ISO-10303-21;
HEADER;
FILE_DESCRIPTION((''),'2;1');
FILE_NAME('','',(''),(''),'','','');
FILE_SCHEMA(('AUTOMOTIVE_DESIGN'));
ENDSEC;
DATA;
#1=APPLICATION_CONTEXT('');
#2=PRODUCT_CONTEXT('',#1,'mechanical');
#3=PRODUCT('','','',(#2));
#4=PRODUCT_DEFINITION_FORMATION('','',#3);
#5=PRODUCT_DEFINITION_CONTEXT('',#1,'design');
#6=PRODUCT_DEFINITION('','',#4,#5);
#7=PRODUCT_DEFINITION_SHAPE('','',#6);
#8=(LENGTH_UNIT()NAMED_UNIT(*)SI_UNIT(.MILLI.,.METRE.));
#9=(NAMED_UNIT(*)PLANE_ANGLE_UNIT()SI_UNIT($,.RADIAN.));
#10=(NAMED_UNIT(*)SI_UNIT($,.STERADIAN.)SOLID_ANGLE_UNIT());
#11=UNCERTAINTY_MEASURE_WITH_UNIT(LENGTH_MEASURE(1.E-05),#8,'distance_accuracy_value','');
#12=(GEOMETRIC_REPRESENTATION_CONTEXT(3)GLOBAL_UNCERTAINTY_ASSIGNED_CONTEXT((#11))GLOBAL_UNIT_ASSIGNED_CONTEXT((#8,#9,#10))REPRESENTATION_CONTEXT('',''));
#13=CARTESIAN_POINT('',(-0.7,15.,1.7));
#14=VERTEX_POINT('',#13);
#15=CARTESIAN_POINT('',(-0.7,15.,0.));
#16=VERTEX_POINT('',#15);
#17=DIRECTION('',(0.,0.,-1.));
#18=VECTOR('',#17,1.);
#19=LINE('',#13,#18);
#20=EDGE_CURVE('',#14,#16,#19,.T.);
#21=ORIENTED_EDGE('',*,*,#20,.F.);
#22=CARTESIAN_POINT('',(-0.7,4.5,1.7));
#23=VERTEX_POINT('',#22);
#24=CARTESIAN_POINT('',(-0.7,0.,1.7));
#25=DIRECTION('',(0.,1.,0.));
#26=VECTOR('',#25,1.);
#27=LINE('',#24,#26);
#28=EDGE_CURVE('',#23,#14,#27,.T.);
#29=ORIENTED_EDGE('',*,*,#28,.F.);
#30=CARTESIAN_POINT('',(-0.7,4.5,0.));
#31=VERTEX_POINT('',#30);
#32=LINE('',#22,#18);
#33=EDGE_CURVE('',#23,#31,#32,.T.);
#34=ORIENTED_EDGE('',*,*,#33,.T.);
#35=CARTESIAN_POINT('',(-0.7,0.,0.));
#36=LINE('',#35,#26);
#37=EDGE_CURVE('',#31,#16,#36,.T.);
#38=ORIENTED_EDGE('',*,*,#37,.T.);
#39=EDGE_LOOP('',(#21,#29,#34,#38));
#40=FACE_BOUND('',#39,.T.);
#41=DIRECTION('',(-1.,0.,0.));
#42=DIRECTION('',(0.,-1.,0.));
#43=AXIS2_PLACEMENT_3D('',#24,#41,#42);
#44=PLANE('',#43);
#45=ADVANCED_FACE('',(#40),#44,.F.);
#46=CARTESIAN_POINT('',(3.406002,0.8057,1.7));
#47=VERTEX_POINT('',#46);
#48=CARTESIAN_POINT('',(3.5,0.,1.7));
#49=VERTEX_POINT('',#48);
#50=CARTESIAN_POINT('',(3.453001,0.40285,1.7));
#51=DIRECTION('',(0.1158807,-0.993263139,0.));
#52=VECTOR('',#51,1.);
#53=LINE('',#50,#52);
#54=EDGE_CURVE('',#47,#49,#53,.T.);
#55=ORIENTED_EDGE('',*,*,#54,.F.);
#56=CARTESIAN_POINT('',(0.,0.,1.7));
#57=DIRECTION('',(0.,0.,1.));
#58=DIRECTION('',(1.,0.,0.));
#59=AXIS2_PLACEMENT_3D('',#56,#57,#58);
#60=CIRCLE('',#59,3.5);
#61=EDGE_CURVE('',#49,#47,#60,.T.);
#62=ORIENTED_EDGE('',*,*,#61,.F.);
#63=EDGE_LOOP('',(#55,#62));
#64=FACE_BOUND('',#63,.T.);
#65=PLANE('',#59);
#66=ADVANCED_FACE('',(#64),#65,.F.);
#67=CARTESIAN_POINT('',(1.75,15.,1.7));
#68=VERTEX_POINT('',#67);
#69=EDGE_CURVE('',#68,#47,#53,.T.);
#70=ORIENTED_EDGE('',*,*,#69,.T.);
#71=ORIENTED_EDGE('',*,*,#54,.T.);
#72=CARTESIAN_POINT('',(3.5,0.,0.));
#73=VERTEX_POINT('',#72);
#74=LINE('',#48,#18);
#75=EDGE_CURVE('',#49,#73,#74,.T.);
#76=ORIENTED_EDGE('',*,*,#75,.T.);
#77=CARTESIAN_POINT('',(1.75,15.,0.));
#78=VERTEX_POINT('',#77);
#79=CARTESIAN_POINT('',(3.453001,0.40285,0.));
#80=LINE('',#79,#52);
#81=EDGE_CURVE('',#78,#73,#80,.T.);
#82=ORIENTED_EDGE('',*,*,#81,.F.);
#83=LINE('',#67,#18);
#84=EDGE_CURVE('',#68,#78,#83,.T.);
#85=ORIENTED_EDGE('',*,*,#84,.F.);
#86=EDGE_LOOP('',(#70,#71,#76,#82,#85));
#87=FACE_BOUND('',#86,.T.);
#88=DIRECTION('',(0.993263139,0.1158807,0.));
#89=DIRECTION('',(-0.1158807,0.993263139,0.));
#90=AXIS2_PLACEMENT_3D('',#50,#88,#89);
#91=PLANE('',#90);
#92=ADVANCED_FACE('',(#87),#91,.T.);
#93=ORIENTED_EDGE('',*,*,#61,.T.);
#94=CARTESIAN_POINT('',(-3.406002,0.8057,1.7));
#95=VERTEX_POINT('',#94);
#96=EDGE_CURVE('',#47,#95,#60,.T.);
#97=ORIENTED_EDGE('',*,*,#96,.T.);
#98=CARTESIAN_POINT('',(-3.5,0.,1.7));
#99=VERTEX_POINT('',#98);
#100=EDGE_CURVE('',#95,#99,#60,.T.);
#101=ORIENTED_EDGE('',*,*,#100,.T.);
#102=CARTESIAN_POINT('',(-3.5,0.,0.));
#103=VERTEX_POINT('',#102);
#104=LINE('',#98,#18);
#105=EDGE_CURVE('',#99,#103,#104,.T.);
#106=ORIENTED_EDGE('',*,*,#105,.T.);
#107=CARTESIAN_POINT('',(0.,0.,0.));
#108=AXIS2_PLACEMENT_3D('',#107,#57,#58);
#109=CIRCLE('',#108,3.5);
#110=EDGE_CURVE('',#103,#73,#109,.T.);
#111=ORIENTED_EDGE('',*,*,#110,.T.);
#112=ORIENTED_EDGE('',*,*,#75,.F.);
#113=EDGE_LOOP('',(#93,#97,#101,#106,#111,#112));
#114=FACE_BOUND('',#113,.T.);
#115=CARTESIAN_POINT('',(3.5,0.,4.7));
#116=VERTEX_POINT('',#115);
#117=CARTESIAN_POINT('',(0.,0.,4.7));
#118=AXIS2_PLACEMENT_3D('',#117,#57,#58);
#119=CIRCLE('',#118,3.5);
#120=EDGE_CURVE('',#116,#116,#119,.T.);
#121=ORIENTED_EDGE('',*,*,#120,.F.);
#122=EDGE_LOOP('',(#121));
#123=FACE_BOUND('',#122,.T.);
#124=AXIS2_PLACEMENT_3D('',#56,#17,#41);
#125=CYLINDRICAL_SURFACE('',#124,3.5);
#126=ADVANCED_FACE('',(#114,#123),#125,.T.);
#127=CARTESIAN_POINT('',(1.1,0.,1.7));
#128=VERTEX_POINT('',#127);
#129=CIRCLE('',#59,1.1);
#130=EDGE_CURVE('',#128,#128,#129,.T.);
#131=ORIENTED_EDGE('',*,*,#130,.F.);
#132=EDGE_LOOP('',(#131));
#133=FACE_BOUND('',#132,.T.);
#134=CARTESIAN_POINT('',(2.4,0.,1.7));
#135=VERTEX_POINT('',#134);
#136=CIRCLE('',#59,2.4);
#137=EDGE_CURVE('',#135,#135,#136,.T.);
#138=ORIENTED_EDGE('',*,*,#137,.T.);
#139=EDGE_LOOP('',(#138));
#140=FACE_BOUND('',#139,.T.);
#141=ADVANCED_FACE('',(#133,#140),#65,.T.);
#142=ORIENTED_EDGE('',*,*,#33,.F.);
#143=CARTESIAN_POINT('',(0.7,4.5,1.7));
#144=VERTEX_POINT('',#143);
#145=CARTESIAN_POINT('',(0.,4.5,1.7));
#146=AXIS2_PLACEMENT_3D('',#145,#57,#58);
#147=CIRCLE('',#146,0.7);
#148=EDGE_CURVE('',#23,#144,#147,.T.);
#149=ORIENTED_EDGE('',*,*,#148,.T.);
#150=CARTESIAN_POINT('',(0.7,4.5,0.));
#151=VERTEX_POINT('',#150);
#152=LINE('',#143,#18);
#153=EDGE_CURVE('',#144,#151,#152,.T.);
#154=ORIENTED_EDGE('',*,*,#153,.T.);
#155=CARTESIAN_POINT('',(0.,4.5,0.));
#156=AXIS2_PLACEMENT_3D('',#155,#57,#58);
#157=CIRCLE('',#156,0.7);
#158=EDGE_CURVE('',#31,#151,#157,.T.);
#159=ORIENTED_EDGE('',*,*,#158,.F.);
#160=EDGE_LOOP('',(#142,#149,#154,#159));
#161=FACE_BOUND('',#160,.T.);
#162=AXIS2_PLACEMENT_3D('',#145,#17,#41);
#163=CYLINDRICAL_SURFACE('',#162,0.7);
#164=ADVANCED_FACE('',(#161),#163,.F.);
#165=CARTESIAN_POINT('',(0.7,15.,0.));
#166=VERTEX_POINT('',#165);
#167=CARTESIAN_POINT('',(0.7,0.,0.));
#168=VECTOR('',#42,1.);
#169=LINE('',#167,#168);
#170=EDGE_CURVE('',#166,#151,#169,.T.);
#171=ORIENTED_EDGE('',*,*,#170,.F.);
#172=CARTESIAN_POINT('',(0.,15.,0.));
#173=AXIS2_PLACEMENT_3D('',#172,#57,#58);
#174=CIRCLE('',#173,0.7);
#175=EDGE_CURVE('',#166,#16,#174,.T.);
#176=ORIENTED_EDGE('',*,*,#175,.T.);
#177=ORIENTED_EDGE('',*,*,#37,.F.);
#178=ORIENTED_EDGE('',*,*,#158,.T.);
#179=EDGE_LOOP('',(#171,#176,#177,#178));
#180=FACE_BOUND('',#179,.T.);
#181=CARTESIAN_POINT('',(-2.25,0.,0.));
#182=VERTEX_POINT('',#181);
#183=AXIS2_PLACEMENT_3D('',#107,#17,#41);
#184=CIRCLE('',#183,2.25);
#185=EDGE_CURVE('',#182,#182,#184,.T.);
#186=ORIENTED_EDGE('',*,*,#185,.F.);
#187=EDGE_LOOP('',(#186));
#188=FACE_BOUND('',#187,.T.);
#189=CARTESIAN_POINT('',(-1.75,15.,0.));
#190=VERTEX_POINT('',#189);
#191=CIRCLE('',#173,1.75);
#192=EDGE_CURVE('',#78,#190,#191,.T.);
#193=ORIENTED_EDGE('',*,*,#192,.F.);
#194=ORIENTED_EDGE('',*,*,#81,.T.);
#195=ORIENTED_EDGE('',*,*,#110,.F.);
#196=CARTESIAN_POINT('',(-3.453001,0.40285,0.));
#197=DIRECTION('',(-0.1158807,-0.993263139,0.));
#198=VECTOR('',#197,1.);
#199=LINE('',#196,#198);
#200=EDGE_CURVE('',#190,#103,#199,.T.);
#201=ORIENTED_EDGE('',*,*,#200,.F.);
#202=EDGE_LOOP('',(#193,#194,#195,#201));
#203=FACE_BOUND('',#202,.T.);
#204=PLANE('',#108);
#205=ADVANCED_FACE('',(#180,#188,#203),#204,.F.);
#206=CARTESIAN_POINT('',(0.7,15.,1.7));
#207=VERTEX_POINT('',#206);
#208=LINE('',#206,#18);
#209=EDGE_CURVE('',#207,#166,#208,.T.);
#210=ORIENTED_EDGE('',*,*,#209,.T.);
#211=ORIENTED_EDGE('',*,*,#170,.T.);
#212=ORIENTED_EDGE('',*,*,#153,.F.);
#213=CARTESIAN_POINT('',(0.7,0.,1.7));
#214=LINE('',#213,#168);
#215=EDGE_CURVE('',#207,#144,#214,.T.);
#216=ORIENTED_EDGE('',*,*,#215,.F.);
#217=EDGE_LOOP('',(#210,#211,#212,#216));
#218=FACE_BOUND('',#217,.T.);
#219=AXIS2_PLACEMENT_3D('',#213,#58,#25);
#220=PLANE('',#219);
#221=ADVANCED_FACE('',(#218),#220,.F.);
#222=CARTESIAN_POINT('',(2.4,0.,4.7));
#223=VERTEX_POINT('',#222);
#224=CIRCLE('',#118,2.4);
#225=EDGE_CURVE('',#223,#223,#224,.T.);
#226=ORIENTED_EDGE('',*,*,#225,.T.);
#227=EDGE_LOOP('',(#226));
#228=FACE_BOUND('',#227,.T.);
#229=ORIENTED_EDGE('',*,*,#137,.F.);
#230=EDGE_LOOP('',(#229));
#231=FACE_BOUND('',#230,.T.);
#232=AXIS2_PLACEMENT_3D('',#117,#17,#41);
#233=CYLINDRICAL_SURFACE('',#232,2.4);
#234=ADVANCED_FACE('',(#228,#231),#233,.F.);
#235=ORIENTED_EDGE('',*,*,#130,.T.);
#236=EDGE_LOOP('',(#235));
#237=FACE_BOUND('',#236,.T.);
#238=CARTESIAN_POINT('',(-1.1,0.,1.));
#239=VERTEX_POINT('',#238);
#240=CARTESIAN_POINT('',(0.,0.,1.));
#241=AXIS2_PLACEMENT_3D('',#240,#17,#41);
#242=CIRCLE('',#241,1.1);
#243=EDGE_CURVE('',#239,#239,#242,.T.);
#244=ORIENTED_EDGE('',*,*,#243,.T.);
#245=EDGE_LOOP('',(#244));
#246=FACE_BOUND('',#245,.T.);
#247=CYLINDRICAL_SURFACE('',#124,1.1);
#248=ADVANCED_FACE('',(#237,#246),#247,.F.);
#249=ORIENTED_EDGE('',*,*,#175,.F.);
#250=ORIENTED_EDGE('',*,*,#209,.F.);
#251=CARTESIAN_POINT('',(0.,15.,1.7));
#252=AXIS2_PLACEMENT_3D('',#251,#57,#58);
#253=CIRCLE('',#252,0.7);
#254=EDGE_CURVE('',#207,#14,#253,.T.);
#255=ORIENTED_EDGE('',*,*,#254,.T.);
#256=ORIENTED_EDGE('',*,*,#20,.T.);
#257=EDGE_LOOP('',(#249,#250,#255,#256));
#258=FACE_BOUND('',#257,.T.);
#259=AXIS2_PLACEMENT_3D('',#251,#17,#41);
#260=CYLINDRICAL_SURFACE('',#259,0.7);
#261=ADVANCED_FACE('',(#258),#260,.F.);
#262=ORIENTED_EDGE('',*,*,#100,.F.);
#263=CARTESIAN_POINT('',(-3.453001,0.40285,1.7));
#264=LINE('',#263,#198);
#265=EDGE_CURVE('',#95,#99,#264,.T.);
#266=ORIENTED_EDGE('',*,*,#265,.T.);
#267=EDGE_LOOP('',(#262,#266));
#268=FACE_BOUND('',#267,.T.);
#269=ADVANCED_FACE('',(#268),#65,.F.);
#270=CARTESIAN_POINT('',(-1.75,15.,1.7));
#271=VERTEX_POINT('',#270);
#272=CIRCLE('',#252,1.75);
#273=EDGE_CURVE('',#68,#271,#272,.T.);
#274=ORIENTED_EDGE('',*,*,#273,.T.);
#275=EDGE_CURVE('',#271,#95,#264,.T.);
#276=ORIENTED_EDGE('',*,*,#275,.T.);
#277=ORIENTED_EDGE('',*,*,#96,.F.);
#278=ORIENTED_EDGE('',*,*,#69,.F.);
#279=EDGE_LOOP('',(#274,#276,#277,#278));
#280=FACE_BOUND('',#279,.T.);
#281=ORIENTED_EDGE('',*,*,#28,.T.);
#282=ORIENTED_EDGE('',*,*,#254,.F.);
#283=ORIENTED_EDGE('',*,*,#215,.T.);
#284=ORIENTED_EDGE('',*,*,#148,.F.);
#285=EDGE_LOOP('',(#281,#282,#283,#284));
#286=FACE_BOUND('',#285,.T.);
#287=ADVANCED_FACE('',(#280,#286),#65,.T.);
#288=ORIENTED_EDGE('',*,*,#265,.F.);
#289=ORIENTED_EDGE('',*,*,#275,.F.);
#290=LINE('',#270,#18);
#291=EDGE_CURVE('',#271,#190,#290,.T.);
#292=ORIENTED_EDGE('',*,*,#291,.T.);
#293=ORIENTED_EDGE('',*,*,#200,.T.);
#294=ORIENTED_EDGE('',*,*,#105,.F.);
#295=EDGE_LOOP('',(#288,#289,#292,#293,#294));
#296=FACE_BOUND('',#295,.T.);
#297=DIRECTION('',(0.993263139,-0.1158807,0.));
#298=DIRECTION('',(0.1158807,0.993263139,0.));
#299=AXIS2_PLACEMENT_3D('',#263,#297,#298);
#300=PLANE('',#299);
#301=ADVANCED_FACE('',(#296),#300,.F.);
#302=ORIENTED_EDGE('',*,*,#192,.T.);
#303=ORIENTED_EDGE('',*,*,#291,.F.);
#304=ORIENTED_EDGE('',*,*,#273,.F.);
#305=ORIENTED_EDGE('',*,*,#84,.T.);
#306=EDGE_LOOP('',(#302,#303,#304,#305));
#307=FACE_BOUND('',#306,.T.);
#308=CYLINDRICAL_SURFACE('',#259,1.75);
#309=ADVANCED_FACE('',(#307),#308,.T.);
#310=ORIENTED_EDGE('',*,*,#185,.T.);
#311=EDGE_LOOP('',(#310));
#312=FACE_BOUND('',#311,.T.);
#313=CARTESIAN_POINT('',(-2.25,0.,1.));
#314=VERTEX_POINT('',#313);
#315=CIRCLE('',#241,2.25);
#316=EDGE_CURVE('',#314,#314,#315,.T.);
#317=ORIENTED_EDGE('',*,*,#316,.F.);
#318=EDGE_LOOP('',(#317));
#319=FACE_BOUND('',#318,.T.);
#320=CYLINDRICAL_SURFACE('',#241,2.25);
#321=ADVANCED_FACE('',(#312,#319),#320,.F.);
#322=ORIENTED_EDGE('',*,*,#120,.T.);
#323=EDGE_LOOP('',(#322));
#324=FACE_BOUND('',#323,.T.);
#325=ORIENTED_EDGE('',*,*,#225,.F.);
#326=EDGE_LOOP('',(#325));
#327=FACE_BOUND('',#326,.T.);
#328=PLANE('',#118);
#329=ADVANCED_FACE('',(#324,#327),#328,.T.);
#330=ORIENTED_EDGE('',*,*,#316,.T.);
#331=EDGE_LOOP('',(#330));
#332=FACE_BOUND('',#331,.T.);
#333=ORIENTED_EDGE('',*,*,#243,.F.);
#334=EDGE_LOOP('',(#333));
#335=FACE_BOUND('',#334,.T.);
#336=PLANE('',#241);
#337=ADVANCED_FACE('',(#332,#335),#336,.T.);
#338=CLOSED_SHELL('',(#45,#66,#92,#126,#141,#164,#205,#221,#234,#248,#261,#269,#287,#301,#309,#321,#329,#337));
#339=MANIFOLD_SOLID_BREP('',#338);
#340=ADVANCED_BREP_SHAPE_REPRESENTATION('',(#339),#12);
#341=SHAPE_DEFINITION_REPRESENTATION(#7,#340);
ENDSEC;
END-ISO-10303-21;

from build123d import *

# Parameters (mm, degrees)
CROQUIS1_R              = 1.1
SALIENTE_EXTRUIR1_DEPTH = 1.7
CROQUIS2_R              = 3.5
CROQUIS2_R_2            = 2.4
SALIENTE_EXTRUIR2_DEPTH = 3
CROQUIS3_R              = 2.25
CORTAR_EXTRUIR1_DEPTH   = 1


with BuildPart() as part:
    # Croquis1 → Saliente-Extruir1 (new body)
    with BuildSketch(Plane.XY):
        with BuildLine():
            ThreePointArc((1.75, 15), (0, 16.75), (-1.75, 15))
            Line((-1.75, 15), (-3.406001644, 0.805700192))
            Line((-3.406001644, 0.805700192), (-3.5, 0))
            ThreePointArc((-3.5, 0), (0, -3.5), (3.5, 0))
            Line((3.5, 0), (3.406001644, 0.805700192))
            Line((3.406001644, 0.805700192), (1.75, 15))
        make_face()
        Circle(CROQUIS1_R, mode=Mode.SUBTRACT)
        with BuildLine():
            ThreePointArc((-0.7, 15), (0, 15.7), (0.7, 15))
            Line((0.7, 15), (0.7, 4.5))
            ThreePointArc((0.7, 4.5), (0, 3.8), (-0.7, 4.5))
            Line((-0.7, 4.5), (-0.7, 15))
        make_face(mode=Mode.SUBTRACT)
    extrude(amount=SALIENTE_EXTRUIR1_DEPTH)

    # Croquis2 → Saliente-Extruir2 (add)
    with BuildSketch(Plane.XY.offset(1.7)):
        Circle(CROQUIS2_R)
        Circle(CROQUIS2_R_2, mode=Mode.SUBTRACT)
    extrude(amount=SALIENTE_EXTRUIR2_DEPTH)

    # Croquis3 → Cortar-Extruir1 (cut)
    with BuildSketch(Plane(origin=(0, 0, 0), x_dir=(-1, 0, 0), z_dir=(0, 0, -1))):
        Circle(CROQUIS3_R)
    extrude(amount=-CORTAR_EXTRUIR1_DEPTH, mode=Mode.SUBTRACT)


solid = part.part
